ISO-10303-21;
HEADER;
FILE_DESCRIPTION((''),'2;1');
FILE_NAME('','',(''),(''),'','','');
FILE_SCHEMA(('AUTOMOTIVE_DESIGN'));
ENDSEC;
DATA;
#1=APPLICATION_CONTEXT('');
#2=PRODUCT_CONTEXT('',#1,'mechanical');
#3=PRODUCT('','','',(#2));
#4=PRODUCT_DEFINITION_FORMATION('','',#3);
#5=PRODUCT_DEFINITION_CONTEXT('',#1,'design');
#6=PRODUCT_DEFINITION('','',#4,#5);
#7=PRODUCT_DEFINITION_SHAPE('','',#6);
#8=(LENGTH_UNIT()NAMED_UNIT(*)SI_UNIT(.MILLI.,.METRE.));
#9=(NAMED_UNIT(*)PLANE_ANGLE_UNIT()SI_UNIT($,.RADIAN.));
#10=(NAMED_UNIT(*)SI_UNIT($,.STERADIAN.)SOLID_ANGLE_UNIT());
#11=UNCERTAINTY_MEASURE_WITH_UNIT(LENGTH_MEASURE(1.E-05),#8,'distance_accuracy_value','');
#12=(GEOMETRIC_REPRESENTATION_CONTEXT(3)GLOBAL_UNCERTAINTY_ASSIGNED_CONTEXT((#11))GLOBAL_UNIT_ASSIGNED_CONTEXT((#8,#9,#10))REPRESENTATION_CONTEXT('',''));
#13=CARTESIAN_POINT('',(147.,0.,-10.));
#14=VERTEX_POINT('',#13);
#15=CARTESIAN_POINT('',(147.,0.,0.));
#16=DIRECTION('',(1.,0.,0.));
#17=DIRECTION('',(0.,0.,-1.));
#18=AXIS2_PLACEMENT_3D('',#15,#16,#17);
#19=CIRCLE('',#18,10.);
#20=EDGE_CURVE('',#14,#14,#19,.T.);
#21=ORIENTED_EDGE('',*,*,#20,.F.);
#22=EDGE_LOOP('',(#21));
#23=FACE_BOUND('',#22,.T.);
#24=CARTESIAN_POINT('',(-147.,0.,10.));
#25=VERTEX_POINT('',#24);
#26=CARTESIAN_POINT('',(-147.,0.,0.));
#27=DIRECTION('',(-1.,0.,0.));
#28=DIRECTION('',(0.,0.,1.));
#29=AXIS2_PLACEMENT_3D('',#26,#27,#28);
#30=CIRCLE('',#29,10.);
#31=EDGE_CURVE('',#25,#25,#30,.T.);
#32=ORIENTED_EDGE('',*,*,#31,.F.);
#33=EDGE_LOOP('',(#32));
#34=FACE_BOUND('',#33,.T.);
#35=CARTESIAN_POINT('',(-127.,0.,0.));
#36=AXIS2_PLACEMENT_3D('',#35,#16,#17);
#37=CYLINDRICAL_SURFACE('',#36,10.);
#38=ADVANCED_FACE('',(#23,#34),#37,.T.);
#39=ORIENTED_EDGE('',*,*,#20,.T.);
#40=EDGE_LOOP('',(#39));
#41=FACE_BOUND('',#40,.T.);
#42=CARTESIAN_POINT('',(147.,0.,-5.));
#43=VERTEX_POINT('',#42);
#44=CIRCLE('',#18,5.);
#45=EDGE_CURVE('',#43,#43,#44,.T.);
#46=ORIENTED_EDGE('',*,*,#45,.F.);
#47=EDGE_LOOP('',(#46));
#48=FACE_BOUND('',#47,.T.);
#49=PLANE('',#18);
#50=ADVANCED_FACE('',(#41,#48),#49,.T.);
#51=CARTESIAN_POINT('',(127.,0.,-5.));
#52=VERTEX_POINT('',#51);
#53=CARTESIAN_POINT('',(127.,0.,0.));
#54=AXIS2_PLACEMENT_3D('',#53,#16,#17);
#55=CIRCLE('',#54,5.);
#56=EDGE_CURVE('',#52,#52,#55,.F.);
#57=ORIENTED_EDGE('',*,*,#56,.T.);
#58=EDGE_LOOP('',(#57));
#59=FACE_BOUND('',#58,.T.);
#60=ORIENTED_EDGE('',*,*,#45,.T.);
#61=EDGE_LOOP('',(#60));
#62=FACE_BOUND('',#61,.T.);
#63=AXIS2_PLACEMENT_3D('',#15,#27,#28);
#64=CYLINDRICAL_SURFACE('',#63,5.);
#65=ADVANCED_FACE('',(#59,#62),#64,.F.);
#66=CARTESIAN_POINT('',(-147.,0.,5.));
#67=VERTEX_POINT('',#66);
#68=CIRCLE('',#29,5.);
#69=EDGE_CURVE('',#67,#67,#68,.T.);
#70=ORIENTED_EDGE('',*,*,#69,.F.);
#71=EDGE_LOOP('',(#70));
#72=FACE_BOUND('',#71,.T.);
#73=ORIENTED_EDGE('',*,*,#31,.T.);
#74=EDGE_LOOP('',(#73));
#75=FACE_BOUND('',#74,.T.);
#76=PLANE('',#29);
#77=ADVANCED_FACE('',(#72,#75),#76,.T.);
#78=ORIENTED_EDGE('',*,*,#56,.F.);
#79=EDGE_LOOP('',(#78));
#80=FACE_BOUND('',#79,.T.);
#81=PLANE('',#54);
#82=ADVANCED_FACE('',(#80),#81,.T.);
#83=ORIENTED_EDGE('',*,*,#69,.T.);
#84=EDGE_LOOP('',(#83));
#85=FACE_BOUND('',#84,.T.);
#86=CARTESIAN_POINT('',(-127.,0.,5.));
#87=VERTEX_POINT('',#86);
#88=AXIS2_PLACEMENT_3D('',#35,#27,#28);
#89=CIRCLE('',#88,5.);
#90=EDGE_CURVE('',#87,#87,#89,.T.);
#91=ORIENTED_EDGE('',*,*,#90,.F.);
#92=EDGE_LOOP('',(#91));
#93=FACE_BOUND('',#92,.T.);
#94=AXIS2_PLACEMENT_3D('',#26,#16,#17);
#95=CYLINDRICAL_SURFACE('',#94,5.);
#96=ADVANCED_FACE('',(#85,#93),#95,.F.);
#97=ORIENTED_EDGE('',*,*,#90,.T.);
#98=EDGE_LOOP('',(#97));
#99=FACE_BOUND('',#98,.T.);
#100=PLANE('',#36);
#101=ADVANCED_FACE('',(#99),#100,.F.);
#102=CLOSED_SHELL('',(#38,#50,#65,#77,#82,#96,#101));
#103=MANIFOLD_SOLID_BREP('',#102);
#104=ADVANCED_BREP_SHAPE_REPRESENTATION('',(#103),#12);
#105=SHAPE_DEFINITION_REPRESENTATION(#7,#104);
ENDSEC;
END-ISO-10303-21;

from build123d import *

# Parameters (mm, degrees)
BOSS_EXTRUDE1_DEPTH      = 127
BOSS_EXTRUDE1_DEPTH_BACK = 127
SKETCH1_R                = 10
SKETCH2_R                = 10
SKETCH2_R_2              = 5
BOSS_EXTRUDE2_DEPTH      = 20
BOSS_EXTRUDE3_START      = 20
SKETCH3_R                = 10
SKETCH3_R_2              = 5
BOSS_EXTRUDE3_DEPTH      = 20


with BuildPart() as part:
    # Sketch1 → Boss-Extrude1 (new, two sides: drawn at the far end of the back side and taken through both)
    with BuildSketch(Plane(origin=(0, 0, 0), x_dir=(0, 0, -1), z_dir=(1, 0, 0)).offset(-BOSS_EXTRUDE1_DEPTH_BACK)):
        Circle(SKETCH1_R)
    extrude(amount=BOSS_EXTRUDE1_DEPTH + BOSS_EXTRUDE1_DEPTH_BACK)

    # Sketch2 → Boss-Extrude2 (add)
    with BuildSketch(Plane(origin=(127, 0, 0), x_dir=(0, 0, -1), z_dir=(1, 0, 0))):
        Circle(SKETCH2_R)
        Circle(SKETCH2_R_2, mode=Mode.SUBTRACT)
    extrude(amount=BOSS_EXTRUDE2_DEPTH)

    # Sketch3 → Boss-Extrude3 (add)
    with BuildSketch(Plane.ZY.offset(127).offset(BOSS_EXTRUDE3_START)):
        Circle(SKETCH3_R)
        Circle(SKETCH3_R_2, mode=Mode.SUBTRACT)
    extrude(amount=-BOSS_EXTRUDE3_DEPTH)


solid = part.part
